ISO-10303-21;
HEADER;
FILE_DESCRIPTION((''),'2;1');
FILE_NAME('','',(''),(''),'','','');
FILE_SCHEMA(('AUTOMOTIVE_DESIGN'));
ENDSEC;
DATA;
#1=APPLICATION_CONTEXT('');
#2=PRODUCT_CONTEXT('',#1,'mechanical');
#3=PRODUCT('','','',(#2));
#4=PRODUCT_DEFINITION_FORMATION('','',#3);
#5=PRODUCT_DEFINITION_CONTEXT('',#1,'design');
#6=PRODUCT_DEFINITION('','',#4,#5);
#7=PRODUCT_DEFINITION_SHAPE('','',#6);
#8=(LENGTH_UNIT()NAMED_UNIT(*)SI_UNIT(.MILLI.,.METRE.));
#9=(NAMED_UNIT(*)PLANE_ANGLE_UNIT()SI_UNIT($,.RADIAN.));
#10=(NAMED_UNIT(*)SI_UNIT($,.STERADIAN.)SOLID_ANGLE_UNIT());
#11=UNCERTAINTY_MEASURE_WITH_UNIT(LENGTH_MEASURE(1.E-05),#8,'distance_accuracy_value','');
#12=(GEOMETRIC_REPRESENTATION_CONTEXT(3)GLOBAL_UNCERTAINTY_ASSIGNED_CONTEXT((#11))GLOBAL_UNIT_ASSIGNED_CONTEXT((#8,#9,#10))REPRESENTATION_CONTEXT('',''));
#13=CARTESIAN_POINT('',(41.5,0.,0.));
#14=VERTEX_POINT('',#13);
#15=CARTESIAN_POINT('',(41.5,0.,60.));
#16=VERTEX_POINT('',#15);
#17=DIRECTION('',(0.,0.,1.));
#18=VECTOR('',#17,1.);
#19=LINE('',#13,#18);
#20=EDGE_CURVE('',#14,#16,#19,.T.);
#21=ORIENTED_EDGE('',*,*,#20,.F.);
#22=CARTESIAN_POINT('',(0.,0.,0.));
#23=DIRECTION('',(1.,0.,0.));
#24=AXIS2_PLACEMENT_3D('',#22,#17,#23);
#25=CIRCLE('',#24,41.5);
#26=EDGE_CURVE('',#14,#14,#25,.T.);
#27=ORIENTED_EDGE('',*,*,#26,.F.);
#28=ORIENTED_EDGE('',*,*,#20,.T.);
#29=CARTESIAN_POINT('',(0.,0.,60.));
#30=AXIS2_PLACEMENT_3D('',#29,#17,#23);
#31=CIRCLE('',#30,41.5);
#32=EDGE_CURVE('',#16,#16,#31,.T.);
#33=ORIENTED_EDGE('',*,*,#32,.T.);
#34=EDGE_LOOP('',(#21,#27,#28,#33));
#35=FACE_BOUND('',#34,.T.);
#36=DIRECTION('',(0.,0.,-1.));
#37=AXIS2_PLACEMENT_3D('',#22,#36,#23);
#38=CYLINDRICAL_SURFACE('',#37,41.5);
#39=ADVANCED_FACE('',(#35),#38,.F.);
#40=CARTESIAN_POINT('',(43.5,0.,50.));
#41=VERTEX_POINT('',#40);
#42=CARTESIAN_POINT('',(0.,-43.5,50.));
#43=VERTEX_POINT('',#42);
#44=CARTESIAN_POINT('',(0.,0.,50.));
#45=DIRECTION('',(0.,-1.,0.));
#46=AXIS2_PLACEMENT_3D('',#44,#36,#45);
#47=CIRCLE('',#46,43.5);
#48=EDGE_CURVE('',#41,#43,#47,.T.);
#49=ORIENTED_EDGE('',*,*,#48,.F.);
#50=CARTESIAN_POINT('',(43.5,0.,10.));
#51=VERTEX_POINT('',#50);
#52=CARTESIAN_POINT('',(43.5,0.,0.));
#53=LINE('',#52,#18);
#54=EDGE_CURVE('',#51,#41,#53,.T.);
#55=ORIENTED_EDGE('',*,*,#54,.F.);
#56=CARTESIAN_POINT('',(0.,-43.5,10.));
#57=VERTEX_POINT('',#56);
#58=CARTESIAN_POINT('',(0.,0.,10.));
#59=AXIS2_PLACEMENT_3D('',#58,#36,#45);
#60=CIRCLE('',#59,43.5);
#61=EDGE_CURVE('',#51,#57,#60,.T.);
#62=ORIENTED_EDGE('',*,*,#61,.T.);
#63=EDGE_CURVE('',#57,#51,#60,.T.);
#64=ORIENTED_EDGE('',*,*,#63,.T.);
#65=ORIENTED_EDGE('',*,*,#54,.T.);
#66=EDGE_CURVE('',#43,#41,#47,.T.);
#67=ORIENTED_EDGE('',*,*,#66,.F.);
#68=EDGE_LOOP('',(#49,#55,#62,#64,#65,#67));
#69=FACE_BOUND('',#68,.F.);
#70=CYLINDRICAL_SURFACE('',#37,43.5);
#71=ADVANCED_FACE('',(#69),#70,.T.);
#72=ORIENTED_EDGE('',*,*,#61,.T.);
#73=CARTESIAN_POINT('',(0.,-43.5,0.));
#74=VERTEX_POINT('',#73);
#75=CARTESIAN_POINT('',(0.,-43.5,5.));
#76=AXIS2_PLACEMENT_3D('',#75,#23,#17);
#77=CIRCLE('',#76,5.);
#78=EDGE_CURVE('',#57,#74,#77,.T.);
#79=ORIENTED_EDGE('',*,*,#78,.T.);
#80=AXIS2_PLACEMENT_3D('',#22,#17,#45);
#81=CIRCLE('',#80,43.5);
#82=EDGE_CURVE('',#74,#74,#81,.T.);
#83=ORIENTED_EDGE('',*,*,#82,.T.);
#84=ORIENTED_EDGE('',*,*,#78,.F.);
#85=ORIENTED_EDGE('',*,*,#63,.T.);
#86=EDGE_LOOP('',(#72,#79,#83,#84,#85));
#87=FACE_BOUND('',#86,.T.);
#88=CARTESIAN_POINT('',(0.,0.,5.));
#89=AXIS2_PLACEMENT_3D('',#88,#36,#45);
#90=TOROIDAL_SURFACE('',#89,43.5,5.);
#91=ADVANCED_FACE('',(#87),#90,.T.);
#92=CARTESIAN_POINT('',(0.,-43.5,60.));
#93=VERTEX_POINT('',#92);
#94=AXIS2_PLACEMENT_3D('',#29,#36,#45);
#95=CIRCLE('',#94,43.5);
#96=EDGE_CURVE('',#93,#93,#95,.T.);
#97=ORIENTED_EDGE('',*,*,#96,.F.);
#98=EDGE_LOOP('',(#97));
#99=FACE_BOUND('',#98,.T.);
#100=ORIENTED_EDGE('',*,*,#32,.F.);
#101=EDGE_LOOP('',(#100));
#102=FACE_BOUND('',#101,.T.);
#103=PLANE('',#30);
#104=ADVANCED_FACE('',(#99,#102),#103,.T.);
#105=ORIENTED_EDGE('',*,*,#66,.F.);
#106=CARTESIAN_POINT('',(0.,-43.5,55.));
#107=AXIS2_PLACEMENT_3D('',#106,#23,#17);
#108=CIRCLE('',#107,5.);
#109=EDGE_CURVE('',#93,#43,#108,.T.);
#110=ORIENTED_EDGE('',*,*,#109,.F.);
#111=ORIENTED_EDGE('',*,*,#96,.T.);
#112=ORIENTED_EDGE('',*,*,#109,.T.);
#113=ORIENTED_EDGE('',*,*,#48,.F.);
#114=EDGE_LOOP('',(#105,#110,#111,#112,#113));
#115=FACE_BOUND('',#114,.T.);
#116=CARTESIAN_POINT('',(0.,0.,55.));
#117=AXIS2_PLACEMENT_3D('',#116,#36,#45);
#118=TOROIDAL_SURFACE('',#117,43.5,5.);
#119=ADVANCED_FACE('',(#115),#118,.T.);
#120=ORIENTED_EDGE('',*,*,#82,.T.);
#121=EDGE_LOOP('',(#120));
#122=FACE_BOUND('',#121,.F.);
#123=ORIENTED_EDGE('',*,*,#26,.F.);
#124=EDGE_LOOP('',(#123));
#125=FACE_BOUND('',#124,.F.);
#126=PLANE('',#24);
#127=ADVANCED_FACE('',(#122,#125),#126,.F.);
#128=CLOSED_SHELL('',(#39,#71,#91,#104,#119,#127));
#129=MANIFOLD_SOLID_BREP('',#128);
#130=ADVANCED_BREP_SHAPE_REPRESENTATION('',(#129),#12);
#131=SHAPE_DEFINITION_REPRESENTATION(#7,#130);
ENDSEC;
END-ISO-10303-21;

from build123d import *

# Parameters (mm, degrees)
F0_R     = 43.5
F0_R_2   = 41.5
F1_DEPTH = 60


with BuildPart() as f1:
    # F0 (on Top) → F1 (new body)
    with BuildSketch(Plane.XY):
        Circle(F0_R)
        Circle(F0_R_2, mode=Mode.SUBTRACT)
    extrude(amount=F1_DEPTH)

    # F2 (on Right) → F3 (revolve)
    with BuildSketch(Plane.YZ):
        with BuildLine():
            Line((-43.5, 0), (-43.5, 10))
            ThreePointArc((-43.5, 10), (-48.5, 5), (-43.5, 0))
        make_face()
        with BuildLine():
            ThreePointArc((-43.5, 60), (-48.5, 55), (-43.5, 50))
            Line((-43.5, 50), (-43.5, 60))
        make_face()
    revolve(axis=Axis((0, 0, 37.078973), (0, 0, -1)))


solid = f1.part
